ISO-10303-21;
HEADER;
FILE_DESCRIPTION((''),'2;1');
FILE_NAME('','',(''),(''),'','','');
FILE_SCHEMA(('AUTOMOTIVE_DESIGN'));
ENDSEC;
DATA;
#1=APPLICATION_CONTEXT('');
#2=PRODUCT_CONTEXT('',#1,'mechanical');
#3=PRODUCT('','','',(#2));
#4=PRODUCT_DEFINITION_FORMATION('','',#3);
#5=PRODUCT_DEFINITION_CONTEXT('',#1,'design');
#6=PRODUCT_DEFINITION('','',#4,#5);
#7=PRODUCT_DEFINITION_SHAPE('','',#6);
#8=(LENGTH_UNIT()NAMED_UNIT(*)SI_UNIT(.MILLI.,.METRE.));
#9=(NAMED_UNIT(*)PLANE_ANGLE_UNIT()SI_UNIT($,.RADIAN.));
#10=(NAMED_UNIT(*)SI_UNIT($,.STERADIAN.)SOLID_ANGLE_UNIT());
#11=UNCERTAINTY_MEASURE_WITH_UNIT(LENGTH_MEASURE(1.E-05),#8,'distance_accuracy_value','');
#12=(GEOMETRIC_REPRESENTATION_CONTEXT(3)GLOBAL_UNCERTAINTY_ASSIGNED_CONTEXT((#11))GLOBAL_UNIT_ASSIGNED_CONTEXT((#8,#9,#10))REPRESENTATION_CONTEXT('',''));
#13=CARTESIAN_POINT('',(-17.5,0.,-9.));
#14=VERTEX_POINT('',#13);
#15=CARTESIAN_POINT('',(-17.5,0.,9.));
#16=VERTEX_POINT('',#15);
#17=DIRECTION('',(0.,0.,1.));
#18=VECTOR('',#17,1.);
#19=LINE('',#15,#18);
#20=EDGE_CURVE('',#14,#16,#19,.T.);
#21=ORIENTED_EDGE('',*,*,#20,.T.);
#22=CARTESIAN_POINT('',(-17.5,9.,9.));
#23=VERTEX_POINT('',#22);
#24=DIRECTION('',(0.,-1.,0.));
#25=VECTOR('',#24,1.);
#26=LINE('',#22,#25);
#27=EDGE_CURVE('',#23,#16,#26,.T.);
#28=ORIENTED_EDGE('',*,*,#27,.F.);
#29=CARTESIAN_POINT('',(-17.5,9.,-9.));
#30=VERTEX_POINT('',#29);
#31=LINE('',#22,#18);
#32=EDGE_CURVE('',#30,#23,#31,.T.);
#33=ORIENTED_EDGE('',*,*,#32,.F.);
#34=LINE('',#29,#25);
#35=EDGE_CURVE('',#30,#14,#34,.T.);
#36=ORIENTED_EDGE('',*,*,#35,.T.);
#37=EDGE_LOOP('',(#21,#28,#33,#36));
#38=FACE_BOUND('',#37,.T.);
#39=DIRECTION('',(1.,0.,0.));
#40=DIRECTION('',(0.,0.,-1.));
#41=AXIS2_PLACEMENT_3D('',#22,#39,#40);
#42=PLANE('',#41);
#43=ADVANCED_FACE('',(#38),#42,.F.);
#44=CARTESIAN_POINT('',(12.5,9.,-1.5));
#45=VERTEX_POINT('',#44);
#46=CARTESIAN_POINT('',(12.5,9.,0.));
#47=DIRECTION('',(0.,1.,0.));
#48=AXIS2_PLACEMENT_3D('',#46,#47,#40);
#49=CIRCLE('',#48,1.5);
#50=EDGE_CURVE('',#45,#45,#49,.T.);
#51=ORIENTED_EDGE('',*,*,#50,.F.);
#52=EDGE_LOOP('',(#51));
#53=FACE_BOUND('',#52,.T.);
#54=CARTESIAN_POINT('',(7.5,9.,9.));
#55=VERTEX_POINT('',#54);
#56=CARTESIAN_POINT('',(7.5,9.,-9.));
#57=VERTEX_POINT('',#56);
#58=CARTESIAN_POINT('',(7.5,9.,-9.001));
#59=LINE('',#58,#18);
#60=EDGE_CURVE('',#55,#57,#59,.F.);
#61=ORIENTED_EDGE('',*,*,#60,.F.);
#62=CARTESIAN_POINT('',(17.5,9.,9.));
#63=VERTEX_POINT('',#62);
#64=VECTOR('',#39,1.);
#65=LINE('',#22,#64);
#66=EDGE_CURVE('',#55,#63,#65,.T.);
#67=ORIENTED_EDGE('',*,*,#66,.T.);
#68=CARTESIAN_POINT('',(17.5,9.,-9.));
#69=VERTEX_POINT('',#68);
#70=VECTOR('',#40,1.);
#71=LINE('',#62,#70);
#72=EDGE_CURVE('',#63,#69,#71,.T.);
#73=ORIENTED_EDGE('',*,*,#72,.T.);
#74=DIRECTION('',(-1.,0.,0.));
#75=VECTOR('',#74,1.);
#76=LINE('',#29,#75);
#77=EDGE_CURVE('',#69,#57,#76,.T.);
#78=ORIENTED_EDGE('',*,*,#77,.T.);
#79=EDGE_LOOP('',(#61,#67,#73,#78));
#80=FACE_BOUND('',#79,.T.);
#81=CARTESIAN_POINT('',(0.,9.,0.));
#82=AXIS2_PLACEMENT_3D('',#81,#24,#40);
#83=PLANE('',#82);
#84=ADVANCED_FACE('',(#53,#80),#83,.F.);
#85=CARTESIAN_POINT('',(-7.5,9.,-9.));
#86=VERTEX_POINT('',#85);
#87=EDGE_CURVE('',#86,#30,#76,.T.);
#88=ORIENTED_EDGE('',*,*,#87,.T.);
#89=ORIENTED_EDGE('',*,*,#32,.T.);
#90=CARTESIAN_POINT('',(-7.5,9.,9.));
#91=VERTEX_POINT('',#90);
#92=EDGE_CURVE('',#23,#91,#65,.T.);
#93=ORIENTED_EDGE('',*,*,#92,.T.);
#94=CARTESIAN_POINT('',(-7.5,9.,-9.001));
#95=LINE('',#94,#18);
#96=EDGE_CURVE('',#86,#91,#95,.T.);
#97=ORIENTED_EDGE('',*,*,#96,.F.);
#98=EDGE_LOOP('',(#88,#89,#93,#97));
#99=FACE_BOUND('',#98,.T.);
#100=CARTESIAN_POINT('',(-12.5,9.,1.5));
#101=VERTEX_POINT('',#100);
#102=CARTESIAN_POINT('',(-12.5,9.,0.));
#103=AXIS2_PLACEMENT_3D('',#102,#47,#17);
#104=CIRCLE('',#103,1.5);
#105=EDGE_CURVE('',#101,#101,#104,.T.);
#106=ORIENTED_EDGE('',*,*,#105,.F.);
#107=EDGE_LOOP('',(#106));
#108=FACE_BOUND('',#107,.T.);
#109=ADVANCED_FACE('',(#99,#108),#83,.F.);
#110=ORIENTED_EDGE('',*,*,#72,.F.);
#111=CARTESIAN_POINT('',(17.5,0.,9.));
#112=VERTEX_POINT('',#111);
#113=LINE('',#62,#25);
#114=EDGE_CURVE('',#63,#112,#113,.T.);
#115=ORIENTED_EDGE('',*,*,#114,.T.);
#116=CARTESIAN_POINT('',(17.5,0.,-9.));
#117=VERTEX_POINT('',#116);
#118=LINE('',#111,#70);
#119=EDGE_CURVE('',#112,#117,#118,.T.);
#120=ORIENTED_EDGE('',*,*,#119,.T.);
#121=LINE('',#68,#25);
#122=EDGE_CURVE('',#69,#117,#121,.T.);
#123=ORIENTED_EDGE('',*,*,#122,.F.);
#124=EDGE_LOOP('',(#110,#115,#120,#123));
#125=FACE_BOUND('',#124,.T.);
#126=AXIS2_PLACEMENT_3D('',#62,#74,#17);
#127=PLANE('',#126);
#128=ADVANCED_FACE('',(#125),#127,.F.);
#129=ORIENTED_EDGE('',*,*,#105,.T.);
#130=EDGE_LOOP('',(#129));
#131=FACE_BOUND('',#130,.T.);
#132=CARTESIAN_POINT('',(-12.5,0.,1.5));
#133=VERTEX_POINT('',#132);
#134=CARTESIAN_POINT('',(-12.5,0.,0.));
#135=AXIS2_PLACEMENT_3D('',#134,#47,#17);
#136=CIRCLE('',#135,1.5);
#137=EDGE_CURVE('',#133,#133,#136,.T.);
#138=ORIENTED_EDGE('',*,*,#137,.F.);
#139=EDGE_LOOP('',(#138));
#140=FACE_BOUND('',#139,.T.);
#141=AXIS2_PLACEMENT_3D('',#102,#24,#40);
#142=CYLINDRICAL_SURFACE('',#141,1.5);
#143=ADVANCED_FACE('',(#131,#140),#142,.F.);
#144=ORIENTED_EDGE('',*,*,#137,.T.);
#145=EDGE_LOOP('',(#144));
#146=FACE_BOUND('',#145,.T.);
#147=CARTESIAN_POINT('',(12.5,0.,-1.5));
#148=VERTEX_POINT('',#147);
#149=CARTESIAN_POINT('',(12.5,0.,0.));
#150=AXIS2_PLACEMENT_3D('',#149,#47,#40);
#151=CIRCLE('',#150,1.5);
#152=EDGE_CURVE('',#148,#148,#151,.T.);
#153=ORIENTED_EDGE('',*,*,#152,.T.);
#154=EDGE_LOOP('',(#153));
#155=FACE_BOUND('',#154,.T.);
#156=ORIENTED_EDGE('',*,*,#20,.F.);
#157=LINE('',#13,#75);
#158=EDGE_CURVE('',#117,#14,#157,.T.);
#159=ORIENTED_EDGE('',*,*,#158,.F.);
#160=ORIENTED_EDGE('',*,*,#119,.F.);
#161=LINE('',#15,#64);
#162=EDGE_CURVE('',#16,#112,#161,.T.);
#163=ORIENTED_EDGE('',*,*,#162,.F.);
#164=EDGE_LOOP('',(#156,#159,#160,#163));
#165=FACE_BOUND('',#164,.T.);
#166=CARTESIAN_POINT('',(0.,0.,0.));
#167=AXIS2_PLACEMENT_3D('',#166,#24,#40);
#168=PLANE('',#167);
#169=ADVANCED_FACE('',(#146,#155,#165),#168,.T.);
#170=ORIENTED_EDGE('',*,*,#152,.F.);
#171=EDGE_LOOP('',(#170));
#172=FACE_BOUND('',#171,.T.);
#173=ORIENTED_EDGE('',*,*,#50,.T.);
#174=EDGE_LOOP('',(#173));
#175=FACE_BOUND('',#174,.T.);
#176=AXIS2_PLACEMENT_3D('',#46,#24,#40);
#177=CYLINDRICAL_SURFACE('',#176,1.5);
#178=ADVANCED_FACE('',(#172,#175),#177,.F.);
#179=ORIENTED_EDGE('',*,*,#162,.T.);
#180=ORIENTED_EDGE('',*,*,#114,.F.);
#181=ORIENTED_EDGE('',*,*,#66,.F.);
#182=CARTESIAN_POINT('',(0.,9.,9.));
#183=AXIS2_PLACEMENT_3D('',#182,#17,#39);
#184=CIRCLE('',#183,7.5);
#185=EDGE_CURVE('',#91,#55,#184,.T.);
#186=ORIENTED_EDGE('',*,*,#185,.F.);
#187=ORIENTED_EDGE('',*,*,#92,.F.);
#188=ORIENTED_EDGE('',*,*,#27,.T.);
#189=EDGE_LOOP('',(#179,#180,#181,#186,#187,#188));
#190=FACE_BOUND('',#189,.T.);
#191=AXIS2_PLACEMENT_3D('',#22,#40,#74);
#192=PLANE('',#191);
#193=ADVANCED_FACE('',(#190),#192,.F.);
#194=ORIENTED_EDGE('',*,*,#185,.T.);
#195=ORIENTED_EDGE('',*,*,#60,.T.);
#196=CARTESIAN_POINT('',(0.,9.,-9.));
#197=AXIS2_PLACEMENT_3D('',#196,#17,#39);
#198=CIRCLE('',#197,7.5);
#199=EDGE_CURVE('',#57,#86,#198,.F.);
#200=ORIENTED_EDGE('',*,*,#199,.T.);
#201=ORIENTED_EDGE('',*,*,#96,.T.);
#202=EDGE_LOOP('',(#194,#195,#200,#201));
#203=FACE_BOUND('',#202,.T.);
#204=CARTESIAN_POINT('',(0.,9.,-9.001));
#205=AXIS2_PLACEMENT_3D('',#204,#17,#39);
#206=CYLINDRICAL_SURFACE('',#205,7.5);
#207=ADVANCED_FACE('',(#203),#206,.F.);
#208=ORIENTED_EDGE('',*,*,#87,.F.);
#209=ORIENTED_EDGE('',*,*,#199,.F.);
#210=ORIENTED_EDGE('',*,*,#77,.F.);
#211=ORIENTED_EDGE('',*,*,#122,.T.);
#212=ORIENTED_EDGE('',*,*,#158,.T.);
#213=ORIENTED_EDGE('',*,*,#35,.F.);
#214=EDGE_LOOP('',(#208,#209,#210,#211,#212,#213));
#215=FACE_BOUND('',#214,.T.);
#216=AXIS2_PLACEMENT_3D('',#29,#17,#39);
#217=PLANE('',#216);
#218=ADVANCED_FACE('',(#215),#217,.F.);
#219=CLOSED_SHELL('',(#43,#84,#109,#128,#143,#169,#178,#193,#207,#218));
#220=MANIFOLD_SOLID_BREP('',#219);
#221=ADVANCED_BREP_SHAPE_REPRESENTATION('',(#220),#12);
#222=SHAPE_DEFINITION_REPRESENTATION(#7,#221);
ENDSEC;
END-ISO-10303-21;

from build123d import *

# Parameters (mm, degrees)
SKETCH1_W           = 35
SKETCH1_H           = 18
SKETCH1_R           = 1.5
BOSS_EXTRUDE1_DEPTH = 9
CUT_EXTRUDE1_REACH  = 28.669
SKETCH2_R           = 7.5


with BuildPart() as part:
    # Sketch1 → Boss-Extrude1 (new body)
    with BuildSketch(Plane(origin=(0, 0, 0), x_dir=(1, 0, 0), z_dir=(0, 1, 0))):
        Rectangle(SKETCH1_W, SKETCH1_H)
        with Locations(Location((-12.5, 0, 0), (0, 0, 270))):
            Circle(SKETCH1_R, mode=Mode.SUBTRACT)
        with Locations(Location((12.5, 0, 0), (0, 0, 90))):
            Circle(SKETCH1_R, mode=Mode.SUBTRACT)
    extrude(amount=BOSS_EXTRUDE1_DEPTH)

    # Sketch2 → Cut-Extrude1 (cut, up to next)
    with BuildSketch(Plane.XY.offset(9), mode=Mode.PRIVATE) as cut_extrude1_sk1:
        with Locations((0, 9)):
            Circle(SKETCH2_R)
    cut_extrude1_tool1 = extrude(cut_extrude1_sk1.sketch, amount=-CUT_EXTRUDE1_REACH, mode=Mode.PRIVATE) & part.part
    add(cut_extrude1_tool1.solids().sort_by_distance((0, 9, 9))[0], mode=Mode.SUBTRACT)


solid = part.part
